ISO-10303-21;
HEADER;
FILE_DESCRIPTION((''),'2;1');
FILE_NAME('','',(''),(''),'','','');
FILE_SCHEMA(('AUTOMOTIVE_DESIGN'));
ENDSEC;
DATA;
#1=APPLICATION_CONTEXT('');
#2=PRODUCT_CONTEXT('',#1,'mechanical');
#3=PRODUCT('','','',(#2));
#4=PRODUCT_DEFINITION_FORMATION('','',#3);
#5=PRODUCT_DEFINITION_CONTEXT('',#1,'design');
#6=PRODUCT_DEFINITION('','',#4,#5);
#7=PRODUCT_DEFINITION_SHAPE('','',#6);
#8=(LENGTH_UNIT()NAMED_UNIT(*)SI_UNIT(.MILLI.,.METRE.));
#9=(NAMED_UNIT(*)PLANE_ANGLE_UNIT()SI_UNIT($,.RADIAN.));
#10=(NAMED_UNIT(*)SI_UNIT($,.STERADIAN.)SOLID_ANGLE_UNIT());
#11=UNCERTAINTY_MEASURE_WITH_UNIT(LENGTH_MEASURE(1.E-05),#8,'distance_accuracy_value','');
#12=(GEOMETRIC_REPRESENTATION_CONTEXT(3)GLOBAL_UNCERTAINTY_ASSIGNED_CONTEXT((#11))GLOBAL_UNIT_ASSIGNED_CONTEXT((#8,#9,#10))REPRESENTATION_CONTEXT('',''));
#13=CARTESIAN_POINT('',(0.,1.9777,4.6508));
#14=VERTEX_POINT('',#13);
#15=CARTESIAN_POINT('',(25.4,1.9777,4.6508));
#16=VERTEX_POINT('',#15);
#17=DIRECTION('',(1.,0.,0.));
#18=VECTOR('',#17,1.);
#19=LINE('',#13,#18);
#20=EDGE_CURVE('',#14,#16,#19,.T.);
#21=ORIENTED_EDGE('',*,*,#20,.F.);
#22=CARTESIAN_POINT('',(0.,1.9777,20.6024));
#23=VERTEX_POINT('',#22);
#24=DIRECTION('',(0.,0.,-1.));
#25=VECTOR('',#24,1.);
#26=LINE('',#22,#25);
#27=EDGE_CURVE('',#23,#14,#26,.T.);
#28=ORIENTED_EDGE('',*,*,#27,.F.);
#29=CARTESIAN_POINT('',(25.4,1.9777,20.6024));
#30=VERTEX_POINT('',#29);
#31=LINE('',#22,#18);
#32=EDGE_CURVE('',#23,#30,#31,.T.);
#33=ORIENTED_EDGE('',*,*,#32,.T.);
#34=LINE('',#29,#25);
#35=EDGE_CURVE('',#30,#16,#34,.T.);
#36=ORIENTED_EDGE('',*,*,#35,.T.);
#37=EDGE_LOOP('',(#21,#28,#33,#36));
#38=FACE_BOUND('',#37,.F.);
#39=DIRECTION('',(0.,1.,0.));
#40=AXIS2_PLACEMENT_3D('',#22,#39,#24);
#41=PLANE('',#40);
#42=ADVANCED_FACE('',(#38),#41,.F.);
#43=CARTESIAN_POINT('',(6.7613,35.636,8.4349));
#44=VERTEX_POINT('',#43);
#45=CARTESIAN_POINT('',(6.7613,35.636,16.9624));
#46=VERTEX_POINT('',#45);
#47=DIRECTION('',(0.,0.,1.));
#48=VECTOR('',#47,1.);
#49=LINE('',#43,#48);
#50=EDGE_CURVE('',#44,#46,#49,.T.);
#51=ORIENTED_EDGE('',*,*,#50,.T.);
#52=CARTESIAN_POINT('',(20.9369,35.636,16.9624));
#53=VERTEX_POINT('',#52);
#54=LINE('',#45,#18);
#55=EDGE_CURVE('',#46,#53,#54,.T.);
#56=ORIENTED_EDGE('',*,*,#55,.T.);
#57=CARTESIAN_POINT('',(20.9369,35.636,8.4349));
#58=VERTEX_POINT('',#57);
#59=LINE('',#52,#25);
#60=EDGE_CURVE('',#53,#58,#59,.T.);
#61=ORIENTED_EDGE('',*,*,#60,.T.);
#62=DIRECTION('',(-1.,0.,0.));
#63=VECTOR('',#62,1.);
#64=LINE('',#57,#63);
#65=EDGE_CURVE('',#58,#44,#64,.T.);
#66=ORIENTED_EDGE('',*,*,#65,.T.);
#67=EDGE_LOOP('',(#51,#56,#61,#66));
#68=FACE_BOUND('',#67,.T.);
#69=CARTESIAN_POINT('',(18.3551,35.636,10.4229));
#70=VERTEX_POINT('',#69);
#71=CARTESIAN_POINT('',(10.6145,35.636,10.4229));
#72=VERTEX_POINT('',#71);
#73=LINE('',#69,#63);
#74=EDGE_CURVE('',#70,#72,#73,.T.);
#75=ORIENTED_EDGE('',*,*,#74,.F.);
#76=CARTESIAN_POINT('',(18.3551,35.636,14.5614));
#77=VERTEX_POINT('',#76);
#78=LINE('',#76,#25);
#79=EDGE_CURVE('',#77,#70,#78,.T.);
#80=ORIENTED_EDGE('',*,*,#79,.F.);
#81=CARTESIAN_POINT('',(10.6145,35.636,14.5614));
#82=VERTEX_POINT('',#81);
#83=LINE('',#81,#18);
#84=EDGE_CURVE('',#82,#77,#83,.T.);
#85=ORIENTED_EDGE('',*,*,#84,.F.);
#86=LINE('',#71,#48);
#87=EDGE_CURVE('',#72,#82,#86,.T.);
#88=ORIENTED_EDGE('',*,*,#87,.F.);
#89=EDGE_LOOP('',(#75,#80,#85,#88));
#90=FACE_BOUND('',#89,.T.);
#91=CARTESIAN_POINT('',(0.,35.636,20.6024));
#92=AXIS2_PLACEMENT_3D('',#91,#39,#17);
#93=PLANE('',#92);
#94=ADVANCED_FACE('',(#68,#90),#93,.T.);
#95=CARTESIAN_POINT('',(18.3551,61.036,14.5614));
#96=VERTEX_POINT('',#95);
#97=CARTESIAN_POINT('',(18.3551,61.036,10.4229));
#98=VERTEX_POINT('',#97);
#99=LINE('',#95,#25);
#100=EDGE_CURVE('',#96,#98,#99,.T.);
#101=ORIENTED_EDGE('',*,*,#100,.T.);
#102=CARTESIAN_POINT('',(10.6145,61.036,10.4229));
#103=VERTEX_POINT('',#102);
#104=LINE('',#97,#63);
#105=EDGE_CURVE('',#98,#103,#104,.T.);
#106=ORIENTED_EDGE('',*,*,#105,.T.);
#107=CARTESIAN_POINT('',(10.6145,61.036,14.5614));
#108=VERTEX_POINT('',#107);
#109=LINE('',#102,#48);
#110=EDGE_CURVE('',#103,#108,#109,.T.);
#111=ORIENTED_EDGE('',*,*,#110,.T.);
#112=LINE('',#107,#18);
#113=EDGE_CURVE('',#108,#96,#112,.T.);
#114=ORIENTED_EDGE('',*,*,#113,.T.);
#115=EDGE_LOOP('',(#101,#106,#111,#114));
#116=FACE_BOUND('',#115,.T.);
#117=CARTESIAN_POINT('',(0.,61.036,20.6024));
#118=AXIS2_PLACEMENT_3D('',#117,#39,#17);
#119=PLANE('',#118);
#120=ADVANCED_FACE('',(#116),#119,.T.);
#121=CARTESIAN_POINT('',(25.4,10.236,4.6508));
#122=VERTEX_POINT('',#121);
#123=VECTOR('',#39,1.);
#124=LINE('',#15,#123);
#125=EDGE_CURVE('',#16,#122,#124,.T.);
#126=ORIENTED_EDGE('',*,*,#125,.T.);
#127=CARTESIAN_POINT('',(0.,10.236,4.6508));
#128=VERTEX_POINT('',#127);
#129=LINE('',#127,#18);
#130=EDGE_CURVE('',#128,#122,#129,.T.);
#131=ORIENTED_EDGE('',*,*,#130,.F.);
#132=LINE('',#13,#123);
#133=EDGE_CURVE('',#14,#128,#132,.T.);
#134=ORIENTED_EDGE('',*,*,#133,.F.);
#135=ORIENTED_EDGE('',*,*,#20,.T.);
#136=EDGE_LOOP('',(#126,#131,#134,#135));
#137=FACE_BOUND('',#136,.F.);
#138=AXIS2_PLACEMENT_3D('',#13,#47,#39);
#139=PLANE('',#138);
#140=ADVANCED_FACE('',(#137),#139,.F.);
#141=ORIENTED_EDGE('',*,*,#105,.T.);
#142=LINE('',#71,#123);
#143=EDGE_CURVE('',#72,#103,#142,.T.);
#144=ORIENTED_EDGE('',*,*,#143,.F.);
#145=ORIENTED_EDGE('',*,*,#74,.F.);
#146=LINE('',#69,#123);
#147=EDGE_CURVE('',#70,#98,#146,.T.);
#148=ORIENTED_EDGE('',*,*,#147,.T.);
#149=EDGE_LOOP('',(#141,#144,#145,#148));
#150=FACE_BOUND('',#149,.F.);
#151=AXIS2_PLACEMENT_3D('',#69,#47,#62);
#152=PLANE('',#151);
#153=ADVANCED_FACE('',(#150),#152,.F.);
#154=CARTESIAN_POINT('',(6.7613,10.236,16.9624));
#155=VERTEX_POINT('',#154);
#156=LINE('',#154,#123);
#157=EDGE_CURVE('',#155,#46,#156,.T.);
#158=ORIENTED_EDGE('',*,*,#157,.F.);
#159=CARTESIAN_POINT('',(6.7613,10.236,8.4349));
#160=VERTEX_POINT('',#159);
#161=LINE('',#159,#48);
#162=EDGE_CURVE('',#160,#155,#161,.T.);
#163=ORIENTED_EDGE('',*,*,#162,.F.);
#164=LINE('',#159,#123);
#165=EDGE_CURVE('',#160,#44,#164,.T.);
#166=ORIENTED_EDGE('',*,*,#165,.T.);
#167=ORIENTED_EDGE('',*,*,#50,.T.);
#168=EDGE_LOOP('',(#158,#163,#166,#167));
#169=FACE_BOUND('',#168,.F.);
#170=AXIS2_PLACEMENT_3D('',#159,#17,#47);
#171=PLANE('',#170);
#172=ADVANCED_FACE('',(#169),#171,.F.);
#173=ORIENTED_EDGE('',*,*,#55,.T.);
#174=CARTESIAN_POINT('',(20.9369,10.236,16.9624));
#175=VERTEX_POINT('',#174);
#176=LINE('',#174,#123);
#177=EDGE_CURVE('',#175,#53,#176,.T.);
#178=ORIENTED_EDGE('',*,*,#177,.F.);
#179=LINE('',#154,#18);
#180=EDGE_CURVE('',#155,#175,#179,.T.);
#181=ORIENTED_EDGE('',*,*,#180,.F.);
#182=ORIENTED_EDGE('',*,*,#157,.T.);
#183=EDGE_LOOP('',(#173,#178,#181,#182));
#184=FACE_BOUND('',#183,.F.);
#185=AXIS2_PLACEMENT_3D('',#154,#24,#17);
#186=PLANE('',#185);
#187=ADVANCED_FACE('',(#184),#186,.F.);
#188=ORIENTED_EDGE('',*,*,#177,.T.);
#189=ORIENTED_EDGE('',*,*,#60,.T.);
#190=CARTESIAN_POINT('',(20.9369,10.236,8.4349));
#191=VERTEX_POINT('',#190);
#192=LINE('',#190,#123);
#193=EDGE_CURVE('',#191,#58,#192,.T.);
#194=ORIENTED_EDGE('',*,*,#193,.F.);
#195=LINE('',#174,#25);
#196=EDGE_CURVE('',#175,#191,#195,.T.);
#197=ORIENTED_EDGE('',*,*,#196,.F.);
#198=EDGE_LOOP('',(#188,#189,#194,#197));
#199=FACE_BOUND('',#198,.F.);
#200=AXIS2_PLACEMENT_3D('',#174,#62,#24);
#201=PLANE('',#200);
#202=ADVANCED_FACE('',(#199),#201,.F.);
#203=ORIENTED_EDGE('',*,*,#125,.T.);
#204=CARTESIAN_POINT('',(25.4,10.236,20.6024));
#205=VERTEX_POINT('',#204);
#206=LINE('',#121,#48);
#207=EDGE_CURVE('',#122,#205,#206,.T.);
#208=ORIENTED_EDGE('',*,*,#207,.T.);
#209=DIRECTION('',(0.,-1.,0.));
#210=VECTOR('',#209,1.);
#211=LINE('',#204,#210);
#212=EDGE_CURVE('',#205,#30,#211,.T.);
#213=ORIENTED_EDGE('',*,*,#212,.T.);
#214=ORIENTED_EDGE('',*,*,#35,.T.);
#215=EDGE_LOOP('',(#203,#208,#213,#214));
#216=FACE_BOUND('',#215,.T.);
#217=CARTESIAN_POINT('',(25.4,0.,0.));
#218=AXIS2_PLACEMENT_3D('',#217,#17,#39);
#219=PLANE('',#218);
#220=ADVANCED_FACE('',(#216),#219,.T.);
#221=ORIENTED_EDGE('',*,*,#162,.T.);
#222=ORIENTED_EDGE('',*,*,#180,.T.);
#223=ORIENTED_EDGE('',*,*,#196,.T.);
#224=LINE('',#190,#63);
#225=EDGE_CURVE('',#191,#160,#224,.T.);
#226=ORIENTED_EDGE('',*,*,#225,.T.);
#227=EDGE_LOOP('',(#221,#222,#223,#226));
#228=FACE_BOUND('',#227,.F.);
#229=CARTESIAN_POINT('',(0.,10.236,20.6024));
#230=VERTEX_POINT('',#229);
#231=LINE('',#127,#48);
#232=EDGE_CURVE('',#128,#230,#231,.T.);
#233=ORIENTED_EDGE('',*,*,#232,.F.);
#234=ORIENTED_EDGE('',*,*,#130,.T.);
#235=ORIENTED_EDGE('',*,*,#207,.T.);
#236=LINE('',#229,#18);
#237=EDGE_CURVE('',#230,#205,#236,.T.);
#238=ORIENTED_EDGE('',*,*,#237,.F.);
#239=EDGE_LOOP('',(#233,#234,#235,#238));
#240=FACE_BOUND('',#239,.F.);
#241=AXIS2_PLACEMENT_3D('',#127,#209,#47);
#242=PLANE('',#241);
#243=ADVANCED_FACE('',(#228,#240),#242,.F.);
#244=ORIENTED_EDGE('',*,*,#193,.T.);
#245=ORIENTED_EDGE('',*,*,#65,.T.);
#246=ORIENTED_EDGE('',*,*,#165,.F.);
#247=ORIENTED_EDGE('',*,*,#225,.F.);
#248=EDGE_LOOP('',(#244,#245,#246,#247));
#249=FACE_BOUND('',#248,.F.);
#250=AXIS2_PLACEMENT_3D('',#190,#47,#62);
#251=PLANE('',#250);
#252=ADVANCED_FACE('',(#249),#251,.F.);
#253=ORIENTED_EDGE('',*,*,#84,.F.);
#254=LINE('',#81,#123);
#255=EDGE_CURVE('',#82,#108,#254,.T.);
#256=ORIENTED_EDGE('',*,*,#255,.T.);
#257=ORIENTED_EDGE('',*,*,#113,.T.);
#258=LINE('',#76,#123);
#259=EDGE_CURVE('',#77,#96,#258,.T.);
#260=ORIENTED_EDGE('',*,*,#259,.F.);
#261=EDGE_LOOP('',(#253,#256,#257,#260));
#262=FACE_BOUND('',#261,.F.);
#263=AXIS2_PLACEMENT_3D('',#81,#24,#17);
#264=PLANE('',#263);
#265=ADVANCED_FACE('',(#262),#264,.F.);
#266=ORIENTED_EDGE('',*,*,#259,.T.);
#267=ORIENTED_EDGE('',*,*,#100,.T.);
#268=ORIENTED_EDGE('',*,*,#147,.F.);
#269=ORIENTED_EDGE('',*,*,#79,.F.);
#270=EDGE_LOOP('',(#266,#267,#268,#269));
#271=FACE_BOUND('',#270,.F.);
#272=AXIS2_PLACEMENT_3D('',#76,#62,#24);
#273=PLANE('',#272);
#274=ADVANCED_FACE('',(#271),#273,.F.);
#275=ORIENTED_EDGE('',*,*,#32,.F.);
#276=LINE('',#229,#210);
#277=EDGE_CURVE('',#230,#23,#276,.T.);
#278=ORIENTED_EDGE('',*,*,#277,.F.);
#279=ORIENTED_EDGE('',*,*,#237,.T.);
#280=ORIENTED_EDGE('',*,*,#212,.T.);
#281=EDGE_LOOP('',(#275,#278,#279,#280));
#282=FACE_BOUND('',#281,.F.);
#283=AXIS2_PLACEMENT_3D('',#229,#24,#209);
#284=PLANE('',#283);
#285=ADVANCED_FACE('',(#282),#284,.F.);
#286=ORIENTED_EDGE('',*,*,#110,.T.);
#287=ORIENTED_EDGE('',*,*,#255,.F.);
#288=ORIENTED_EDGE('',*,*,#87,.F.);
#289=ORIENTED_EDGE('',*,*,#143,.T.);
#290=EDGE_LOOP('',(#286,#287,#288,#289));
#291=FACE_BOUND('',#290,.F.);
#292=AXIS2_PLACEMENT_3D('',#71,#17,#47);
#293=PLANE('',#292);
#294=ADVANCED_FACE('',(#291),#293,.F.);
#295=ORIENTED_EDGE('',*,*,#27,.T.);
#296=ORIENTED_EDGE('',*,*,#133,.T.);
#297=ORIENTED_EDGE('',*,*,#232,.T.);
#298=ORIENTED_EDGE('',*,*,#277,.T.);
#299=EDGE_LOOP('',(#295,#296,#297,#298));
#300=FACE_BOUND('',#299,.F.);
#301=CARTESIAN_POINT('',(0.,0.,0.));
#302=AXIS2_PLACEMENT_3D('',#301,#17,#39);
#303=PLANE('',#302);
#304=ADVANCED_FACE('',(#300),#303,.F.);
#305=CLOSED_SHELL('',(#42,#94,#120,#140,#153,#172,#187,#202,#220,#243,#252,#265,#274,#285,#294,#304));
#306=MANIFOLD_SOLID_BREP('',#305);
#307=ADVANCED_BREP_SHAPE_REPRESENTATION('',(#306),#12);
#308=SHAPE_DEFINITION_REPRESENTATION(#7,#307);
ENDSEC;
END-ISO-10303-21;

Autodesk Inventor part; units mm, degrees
ref_plane "YZ Plane" through (0, 0, 0) normal (1, 0, 0) x (0, 1, 0)
ref_plane "XZ Plane" through (0, 0, 0) normal (0, 1, 0) x (-1, 0, 0)
ref_plane "XY Plane" through (0, 0, 0) normal (0, 0, 1) x (1, 0, 0)
sketch "Sketch1" plane through (0, 0, 0) normal (1, 0, 0) x (0, 1, 0)
  line L0 (10.236, 20.6024) -> (1.9777, 20.6024)
  line L1 (1.9777, 20.6024) -> (1.9777, 4.6508)
  line L2 (1.9777, 4.6508) -> (10.236, 4.6508)
  line L3 (10.236, 4.6508) -> (10.236, 20.6024)
  point P0 (0, 0)
extrude "Extrusion1" add sketch "Sketch1" along normal blind 25.4
sketch "Sketch2" plane through (0, 10.236, 20.6024) normal (0, 1, 0) x (1, 0, 0)
  line L0 (6.7613, 3.64) -> (20.9369, 3.64)
  line L1 (20.9369, 3.64) -> (20.9369, 12.1675)
  line L2 (20.9369, 12.1675) -> (6.7613, 12.1675)
  line L3 (6.7613, 12.1675) -> (6.7613, 3.64)
  line L4 (10.89, 6.1434) -> (17.4809, 6.1434)
  line L5 (17.4809, 6.1434) -> (17.4809, 9.7454)
  line L6 (17.4809, 9.7454) -> (11.2732, 9.7454)
  line L7 (11.2732, 9.7454) -> (11.2732, 6.1434)
  point P0 (0, 20.6024)
extrude "Extrusion2" add sketch "Sketch2" along normal blind 25.4 contours L3 L2 L1 L0 | L7 L6 L5 L4
sketch "Sketch3" plane through (0, 35.636, 20.6024) normal (0, 1, 0) x (1, 0, 0)
  line L0 (10.6145, 6.041) -> (18.3551, 6.041)
  line L1 (18.3551, 6.041) -> (18.3551, 10.1795)
  line L2 (18.3551, 10.1795) -> (10.6145, 10.1795)
  line L3 (10.6145, 10.1795) -> (10.6145, 6.041)
  point P0 (0, 20.6024)
extrude "Extrusion3" add sketch "Sketch3" along normal blind 25.4
properties part number "2nd model"
